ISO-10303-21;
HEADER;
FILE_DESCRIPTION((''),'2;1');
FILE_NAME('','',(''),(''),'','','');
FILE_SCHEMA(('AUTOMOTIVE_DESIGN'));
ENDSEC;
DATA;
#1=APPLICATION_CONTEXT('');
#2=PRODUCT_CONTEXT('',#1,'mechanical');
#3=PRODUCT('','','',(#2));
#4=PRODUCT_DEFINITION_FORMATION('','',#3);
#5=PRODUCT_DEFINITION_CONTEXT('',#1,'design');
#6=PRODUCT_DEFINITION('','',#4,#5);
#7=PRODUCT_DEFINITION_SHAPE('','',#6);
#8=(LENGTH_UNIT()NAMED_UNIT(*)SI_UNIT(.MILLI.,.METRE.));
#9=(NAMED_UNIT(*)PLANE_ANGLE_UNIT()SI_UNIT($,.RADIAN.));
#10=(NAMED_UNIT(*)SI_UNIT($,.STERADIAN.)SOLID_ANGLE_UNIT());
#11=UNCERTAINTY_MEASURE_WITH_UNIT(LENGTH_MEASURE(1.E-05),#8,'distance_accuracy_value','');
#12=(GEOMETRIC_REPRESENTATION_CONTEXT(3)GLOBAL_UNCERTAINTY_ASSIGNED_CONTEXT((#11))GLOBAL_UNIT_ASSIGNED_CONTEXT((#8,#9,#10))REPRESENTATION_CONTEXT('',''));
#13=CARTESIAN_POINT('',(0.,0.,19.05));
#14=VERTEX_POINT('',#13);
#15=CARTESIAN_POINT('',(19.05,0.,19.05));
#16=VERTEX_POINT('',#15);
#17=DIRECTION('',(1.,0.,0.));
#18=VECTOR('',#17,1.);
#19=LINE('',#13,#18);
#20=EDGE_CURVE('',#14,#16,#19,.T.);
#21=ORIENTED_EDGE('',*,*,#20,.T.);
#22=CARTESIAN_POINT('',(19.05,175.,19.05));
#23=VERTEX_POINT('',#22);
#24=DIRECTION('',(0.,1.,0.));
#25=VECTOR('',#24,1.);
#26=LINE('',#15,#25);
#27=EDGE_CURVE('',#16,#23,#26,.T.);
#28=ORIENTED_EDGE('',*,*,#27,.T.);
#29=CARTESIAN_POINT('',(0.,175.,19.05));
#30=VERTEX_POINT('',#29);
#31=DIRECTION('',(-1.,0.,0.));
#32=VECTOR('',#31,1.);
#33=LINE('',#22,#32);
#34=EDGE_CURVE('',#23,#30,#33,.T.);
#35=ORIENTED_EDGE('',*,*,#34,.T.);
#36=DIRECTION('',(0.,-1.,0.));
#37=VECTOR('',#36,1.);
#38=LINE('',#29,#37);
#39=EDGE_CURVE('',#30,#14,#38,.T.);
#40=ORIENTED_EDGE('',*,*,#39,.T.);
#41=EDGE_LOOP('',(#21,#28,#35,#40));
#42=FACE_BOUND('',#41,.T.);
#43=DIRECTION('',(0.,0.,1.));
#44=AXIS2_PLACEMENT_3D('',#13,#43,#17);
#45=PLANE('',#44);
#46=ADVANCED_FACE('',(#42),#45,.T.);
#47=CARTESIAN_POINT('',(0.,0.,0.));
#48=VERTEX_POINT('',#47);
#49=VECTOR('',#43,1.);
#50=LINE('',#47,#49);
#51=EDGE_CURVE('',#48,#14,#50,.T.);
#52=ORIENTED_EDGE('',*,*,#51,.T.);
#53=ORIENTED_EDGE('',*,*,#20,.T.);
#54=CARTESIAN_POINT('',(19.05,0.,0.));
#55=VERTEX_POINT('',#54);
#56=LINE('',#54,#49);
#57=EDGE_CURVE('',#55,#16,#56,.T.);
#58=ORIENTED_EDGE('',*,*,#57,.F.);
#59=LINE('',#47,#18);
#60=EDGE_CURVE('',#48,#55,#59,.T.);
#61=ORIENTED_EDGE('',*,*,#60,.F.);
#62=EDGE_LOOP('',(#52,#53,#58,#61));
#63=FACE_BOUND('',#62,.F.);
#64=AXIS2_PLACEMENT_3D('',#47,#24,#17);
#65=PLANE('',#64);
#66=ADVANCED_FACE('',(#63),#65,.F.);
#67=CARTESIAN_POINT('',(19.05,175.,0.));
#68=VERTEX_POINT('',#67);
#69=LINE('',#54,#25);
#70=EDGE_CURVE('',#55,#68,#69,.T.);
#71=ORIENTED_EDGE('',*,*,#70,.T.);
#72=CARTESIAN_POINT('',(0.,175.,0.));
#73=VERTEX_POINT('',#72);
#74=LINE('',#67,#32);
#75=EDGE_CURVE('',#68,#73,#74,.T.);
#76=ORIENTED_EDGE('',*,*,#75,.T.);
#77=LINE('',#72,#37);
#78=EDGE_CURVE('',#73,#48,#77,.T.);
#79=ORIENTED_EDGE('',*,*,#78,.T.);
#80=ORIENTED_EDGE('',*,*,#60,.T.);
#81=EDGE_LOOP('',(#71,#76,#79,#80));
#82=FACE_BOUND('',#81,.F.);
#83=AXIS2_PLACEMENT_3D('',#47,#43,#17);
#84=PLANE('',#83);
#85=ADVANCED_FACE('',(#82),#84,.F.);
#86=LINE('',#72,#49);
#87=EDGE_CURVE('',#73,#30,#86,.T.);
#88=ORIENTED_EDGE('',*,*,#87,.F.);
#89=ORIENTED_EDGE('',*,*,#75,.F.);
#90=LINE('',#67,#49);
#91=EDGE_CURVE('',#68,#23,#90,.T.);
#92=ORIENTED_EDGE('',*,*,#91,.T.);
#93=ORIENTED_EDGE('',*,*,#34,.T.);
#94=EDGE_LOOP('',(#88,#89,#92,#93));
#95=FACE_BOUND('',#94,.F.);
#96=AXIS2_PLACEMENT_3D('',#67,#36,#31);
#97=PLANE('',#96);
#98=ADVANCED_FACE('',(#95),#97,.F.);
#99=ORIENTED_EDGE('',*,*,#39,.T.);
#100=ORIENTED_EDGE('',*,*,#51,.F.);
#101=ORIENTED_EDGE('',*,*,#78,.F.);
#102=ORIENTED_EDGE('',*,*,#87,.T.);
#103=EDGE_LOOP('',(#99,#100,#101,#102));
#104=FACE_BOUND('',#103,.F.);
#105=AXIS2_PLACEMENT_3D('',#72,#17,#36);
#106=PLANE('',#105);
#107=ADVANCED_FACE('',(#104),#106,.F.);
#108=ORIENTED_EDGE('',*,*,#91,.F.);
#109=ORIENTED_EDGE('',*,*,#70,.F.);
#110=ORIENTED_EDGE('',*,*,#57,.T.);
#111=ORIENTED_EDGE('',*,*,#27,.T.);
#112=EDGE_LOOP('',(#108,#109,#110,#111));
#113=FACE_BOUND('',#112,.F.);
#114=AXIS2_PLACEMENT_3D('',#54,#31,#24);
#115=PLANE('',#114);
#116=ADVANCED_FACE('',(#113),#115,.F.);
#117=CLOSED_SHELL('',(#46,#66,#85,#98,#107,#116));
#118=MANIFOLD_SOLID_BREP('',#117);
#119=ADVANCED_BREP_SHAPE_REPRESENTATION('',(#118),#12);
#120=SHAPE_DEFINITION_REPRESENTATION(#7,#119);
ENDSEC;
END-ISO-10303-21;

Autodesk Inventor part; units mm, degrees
ref_plane "YZ Plane" through (0, 0, 0) normal (1, 0, 0) x (0, 1, 0)
ref_plane "XZ Plane" through (0, 0, 0) normal (0, 1, 0) x (-1, 0, 0)
ref_plane "XY Plane" through (0, 0, 0) normal (0, 0, 1) x (1, 0, 0)
sketch "Sketch1" plane through (0, 0, 0) normal (0, 0, 1) x (1, 0, 0)
  line L0 (0, 0) -> (19.05, 0)
  line L1 (19.05, 0) -> (19.05, 175)
  line L2 (19.05, 175) -> (0, 175)
  line L3 (0, 175) -> (0, 0)
  dimension "d0" = 19.05
  dimension "d1" = 175
extrude "Extrusion1" add sketch "Sketch1" along normal blind 19.05
properties part number "C010" material "Wood (Birch)"
